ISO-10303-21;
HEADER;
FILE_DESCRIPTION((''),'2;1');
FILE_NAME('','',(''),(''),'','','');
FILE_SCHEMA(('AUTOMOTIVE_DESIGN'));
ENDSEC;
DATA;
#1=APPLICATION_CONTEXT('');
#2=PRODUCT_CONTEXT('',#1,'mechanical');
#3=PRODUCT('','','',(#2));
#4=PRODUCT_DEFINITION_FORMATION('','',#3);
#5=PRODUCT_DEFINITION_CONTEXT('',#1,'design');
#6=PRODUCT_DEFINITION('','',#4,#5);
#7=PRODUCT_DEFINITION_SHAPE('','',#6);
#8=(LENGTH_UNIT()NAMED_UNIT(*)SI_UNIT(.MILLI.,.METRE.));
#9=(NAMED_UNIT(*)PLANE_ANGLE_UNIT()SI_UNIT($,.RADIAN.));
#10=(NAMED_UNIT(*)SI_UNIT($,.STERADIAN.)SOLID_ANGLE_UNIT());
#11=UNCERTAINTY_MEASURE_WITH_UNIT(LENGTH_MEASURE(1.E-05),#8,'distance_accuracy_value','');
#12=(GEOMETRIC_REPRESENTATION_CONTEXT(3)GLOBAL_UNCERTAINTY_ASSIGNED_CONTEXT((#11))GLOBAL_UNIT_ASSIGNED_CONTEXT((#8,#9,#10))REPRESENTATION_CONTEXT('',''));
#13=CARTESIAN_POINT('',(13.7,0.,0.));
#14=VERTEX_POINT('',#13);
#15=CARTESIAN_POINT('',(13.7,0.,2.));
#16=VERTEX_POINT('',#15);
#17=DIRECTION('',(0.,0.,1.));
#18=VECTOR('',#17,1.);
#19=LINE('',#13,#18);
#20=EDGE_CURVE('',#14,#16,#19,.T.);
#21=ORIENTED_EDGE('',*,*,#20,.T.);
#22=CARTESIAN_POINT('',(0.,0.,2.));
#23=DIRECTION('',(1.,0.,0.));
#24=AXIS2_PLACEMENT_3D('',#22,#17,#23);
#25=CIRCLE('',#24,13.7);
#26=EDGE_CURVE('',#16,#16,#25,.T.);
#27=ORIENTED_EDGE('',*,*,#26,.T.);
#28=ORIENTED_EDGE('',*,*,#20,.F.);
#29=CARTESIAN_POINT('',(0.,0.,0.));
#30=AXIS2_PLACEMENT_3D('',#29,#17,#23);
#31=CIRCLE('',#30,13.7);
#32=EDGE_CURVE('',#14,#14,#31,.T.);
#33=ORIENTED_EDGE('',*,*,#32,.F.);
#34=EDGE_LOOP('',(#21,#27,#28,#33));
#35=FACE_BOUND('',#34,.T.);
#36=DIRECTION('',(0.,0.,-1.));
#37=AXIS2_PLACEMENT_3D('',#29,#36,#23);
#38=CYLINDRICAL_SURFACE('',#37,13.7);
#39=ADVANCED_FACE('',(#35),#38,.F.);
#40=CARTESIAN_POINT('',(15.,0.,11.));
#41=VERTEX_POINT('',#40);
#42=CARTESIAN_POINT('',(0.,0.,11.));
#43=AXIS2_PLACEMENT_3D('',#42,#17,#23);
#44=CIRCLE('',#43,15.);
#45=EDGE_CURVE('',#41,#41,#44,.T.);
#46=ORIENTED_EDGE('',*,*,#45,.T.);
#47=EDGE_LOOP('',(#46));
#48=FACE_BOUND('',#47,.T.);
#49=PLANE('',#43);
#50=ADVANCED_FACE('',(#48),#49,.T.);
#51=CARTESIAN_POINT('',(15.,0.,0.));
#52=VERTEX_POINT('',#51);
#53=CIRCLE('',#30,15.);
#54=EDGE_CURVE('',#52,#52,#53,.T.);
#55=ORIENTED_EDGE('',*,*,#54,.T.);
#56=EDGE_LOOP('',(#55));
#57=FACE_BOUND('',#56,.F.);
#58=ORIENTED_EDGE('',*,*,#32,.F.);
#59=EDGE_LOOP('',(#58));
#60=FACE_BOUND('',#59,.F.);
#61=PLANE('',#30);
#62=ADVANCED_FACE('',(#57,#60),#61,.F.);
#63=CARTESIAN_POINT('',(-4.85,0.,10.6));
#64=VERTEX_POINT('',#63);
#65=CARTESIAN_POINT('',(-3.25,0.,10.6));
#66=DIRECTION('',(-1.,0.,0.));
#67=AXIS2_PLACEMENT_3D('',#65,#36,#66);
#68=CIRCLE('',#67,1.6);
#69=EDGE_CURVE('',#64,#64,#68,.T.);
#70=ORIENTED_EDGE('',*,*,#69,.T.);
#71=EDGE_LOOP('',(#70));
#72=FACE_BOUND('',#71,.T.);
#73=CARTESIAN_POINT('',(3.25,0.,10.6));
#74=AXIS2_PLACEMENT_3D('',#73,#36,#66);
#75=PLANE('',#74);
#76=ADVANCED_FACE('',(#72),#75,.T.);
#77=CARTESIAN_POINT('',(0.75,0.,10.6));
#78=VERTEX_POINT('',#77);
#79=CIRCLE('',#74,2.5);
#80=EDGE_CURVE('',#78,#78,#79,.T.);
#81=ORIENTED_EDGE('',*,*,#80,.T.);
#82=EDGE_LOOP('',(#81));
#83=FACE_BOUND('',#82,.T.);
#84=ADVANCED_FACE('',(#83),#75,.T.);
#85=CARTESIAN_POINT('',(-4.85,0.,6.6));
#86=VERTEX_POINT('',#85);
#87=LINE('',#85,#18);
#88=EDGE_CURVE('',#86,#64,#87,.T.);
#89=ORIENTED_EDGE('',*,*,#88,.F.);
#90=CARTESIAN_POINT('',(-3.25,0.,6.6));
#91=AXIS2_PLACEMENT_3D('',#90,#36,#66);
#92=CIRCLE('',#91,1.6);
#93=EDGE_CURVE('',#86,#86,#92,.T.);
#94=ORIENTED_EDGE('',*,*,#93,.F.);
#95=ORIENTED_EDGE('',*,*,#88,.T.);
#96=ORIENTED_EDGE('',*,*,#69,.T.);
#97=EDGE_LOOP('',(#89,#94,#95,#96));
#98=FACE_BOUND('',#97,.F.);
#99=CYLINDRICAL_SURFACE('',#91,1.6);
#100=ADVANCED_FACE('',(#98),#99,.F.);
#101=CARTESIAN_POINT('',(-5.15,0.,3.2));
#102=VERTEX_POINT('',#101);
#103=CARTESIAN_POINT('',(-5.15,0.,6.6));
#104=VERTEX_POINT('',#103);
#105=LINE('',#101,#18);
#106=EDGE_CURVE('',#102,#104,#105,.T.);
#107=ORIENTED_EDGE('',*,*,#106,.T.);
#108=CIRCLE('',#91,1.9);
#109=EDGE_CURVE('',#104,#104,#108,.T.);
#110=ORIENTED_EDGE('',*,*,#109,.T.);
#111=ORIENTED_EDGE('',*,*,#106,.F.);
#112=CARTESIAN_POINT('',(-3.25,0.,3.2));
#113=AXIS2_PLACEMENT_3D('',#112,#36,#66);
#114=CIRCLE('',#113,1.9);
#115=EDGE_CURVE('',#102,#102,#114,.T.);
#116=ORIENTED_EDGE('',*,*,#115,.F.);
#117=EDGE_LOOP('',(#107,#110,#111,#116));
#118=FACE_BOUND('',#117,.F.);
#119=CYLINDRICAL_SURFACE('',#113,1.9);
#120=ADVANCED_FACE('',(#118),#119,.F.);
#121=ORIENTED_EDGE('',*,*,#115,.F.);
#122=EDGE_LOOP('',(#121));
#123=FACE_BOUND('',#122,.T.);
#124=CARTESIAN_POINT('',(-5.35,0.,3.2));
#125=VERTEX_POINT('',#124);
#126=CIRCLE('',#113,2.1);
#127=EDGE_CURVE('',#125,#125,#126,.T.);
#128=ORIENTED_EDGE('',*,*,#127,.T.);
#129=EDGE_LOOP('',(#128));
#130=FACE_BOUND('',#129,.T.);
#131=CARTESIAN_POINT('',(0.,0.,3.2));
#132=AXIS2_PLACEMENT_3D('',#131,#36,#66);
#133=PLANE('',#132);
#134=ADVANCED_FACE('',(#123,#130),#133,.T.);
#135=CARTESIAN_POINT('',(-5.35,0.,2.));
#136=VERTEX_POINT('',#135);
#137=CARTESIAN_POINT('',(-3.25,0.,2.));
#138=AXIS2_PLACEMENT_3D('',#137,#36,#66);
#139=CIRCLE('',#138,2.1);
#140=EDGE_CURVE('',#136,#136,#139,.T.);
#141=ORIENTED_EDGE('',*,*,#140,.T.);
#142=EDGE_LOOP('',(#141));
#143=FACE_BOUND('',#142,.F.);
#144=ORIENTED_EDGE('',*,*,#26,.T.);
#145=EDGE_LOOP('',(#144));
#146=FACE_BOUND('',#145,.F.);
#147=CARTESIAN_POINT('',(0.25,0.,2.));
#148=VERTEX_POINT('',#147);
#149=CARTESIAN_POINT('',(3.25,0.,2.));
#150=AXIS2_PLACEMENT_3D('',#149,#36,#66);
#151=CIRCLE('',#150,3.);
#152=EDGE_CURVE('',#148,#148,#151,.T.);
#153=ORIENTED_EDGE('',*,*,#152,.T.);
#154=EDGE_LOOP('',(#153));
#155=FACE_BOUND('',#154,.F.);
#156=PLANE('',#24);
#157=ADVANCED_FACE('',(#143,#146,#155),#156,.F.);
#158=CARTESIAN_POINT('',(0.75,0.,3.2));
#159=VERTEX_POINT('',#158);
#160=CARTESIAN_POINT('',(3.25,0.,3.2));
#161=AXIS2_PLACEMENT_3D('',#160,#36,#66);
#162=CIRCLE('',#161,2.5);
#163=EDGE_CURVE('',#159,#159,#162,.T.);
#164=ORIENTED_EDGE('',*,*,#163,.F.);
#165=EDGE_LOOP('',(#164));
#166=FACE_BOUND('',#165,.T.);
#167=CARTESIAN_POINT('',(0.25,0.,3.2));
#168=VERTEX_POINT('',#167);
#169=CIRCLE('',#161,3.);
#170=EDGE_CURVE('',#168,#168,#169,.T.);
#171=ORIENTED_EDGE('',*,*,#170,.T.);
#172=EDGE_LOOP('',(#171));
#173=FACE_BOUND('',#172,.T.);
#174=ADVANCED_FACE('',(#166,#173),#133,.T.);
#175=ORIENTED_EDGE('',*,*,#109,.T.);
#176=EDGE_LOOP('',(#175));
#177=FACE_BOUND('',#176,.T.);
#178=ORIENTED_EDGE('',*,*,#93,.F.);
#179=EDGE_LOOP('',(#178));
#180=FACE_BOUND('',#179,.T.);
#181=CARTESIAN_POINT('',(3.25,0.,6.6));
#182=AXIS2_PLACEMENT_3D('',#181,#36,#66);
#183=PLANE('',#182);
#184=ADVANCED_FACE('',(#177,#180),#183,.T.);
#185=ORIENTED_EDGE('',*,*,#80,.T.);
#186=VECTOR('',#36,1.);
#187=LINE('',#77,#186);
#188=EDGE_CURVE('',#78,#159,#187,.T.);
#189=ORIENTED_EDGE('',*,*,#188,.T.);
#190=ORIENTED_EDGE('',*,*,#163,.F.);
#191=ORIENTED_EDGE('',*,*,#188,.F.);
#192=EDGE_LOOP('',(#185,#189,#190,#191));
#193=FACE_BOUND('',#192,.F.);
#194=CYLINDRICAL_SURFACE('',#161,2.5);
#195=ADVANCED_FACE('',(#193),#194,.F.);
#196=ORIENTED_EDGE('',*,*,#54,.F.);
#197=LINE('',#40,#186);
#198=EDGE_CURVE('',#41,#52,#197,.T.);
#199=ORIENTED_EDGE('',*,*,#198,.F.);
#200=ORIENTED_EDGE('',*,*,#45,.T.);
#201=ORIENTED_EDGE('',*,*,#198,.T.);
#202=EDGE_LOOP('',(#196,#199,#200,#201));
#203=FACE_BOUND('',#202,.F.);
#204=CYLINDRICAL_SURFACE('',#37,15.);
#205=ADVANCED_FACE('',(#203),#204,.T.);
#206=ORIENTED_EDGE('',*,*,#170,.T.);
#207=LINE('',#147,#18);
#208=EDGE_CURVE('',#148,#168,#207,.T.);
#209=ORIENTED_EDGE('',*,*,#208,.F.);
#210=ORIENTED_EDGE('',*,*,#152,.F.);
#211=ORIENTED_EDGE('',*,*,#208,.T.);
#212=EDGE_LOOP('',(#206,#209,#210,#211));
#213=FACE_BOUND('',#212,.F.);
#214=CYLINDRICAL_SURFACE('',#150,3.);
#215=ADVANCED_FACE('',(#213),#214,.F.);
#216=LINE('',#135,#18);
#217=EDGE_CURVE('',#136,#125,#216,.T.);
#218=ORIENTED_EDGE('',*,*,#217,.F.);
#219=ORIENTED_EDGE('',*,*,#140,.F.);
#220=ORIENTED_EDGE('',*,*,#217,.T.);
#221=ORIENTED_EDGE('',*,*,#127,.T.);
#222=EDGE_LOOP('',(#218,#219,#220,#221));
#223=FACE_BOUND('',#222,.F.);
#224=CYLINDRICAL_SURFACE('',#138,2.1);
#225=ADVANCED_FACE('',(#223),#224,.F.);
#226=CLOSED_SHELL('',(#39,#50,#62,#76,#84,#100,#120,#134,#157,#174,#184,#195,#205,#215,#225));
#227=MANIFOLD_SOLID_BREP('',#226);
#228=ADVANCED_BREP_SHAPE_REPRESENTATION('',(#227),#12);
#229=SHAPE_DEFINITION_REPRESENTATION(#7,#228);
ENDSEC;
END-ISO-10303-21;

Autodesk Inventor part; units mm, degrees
ref_plane "YZ Plane" through (0, 0, 0) normal (1, 0, 0) x (0, 1, 0)
ref_plane "XZ Plane" through (0, 0, 0) normal (0, 1, 0) x (-1, 0, 0)
ref_plane "XY Plane" through (0, 0, 0) normal (0, 0, 1) x (1, 0, 0)
sketch "Skizze1" plane through (0, 0, 0) normal (0, 0, 1) x (1, 0, 0)
  circle A0 centre (0, 0) radius 13.7
  circle A1 centre (0, 0) radius 15
  dimension "d0" = 27.4
  dimension "d1" = 30
extrude "Extrusion1" add sketch "Skizze1" along normal blind 2
sketch "Skizze2" plane through (0, 0, 2) normal (0, 0, 1) x (1, 0, 0)
  circle A0 centre (0, 0) radius 15
  dimension "d4" = 30
extrude "Extrusion2" add sketch "Skizze2" along normal blind 9
sketch "Skizze3" plane through (0, 0, 2) normal (0, 0, -1) x (-1, 0, 0)
  circle A0 centre (3.25, 0) radius 2.1
  circle A1 centre (-3.25, 0) radius 3
  point P0 (0, 0)
  dimension "d7" = 4.2
  dimension "d8" = 6
  dimension "d10" = 3.25
  dimension "d11" = 3.25
  dimension "d12" = 6.5
extrude "Extrusion3" cut sketch "Skizze3" against normal blind 1.2
sketch "Skizze4" plane through (3.25, 0, 3.2) normal (0, 0, -1) x (-1, 0, 0)
  circle A0 centre (0, 0) radius 2.5
  circle A1 centre (6.5, 0) radius 2.1 projected
  circle A2 centre (6.5, 0) radius 1.9
  point P0 (3.25, 0)
  dimension "d15" = 5
  dimension "d16" = 3.8
  dimension "d17" = 6.5
  dimension "d18" = 3.25
extrude "Extrusion4" cut sketch "Skizze4" against normal blind 3.4 contours A0 | A2
sketch "Skizze5" plane through (3.25, 0, 6.6) normal (0, 0, -1) x (-1, 0, 0)
  circle A0 centre (6.5, 0) radius 1.9 projected
  circle A1 centre (6.5, 0) radius 1.6
  circle A2 centre (0, 0) radius 2.5
  point P0 (3.25, 0)
  dimension "d21" = 3.2
  dimension "d22" = 5
  dimension "d23" = 6.5
  dimension "d24" = 3.25
extrude "Extrusion5" cut sketch "Skizze5" against normal blind 4 contours A1 | A2
properties part number "schablone"
